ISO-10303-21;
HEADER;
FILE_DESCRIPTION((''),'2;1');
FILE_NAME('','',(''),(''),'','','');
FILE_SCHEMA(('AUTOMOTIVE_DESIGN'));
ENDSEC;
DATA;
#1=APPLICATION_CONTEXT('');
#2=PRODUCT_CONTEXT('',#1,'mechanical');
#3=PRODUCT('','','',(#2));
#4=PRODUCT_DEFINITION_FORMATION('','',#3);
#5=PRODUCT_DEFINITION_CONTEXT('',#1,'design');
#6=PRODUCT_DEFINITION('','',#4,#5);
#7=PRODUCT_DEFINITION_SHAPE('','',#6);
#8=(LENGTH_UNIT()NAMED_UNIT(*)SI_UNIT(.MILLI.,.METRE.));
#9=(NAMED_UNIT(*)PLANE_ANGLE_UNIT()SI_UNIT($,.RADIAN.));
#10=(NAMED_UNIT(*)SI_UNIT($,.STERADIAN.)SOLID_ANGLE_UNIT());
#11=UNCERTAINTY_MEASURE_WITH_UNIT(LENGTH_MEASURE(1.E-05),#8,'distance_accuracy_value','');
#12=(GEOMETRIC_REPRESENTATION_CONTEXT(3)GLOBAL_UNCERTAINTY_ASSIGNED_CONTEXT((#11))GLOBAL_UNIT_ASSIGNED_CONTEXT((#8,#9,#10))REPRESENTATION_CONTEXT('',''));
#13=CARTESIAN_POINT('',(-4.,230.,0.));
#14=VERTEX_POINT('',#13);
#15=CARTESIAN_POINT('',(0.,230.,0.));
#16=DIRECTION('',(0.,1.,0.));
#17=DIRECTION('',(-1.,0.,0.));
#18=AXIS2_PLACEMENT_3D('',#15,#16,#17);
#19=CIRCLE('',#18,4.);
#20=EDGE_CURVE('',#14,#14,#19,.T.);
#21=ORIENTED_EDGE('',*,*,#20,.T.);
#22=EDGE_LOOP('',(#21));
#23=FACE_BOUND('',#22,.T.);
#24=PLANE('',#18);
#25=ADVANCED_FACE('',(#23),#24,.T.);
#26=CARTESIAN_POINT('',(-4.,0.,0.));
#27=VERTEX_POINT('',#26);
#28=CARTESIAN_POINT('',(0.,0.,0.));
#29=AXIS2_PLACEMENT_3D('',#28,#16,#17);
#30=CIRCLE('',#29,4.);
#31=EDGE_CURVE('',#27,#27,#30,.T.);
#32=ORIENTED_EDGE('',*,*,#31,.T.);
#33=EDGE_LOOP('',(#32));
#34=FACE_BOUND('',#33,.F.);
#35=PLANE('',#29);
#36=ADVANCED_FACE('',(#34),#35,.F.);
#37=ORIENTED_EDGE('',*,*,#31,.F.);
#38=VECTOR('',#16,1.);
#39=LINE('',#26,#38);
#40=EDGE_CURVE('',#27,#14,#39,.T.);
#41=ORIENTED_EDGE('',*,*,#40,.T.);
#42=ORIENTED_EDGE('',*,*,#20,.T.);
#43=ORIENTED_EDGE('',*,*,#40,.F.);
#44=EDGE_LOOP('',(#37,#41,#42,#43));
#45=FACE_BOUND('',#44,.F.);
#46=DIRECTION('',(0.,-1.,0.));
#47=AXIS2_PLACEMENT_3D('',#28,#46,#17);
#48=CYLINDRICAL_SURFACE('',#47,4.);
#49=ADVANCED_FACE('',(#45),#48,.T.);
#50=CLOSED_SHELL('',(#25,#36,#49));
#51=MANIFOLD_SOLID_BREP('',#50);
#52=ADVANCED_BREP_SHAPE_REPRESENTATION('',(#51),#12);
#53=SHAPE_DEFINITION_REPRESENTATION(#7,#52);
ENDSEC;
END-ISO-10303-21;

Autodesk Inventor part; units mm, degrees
ref_plane "YZ Plane" through (0, 0, 0) normal (1, 0, 0) x (0, 1, 0)
ref_plane "XZ Plane" through (0, 0, 0) normal (0, 1, 0) x (-1, 0, 0)
ref_plane "XY Plane" through (0, 0, 0) normal (0, 0, 1) x (1, 0, 0)
sketch "Sketch1" plane through (0, 0, 0) normal (0, 1, 0) x (-1, 0, 0)
  circle A0 centre (0, 0) radius 4
  dimension "d0" = 8
extrude "Extrusion1" add sketch "Sketch1" along normal blind 230
properties part number "Big screw thing"
